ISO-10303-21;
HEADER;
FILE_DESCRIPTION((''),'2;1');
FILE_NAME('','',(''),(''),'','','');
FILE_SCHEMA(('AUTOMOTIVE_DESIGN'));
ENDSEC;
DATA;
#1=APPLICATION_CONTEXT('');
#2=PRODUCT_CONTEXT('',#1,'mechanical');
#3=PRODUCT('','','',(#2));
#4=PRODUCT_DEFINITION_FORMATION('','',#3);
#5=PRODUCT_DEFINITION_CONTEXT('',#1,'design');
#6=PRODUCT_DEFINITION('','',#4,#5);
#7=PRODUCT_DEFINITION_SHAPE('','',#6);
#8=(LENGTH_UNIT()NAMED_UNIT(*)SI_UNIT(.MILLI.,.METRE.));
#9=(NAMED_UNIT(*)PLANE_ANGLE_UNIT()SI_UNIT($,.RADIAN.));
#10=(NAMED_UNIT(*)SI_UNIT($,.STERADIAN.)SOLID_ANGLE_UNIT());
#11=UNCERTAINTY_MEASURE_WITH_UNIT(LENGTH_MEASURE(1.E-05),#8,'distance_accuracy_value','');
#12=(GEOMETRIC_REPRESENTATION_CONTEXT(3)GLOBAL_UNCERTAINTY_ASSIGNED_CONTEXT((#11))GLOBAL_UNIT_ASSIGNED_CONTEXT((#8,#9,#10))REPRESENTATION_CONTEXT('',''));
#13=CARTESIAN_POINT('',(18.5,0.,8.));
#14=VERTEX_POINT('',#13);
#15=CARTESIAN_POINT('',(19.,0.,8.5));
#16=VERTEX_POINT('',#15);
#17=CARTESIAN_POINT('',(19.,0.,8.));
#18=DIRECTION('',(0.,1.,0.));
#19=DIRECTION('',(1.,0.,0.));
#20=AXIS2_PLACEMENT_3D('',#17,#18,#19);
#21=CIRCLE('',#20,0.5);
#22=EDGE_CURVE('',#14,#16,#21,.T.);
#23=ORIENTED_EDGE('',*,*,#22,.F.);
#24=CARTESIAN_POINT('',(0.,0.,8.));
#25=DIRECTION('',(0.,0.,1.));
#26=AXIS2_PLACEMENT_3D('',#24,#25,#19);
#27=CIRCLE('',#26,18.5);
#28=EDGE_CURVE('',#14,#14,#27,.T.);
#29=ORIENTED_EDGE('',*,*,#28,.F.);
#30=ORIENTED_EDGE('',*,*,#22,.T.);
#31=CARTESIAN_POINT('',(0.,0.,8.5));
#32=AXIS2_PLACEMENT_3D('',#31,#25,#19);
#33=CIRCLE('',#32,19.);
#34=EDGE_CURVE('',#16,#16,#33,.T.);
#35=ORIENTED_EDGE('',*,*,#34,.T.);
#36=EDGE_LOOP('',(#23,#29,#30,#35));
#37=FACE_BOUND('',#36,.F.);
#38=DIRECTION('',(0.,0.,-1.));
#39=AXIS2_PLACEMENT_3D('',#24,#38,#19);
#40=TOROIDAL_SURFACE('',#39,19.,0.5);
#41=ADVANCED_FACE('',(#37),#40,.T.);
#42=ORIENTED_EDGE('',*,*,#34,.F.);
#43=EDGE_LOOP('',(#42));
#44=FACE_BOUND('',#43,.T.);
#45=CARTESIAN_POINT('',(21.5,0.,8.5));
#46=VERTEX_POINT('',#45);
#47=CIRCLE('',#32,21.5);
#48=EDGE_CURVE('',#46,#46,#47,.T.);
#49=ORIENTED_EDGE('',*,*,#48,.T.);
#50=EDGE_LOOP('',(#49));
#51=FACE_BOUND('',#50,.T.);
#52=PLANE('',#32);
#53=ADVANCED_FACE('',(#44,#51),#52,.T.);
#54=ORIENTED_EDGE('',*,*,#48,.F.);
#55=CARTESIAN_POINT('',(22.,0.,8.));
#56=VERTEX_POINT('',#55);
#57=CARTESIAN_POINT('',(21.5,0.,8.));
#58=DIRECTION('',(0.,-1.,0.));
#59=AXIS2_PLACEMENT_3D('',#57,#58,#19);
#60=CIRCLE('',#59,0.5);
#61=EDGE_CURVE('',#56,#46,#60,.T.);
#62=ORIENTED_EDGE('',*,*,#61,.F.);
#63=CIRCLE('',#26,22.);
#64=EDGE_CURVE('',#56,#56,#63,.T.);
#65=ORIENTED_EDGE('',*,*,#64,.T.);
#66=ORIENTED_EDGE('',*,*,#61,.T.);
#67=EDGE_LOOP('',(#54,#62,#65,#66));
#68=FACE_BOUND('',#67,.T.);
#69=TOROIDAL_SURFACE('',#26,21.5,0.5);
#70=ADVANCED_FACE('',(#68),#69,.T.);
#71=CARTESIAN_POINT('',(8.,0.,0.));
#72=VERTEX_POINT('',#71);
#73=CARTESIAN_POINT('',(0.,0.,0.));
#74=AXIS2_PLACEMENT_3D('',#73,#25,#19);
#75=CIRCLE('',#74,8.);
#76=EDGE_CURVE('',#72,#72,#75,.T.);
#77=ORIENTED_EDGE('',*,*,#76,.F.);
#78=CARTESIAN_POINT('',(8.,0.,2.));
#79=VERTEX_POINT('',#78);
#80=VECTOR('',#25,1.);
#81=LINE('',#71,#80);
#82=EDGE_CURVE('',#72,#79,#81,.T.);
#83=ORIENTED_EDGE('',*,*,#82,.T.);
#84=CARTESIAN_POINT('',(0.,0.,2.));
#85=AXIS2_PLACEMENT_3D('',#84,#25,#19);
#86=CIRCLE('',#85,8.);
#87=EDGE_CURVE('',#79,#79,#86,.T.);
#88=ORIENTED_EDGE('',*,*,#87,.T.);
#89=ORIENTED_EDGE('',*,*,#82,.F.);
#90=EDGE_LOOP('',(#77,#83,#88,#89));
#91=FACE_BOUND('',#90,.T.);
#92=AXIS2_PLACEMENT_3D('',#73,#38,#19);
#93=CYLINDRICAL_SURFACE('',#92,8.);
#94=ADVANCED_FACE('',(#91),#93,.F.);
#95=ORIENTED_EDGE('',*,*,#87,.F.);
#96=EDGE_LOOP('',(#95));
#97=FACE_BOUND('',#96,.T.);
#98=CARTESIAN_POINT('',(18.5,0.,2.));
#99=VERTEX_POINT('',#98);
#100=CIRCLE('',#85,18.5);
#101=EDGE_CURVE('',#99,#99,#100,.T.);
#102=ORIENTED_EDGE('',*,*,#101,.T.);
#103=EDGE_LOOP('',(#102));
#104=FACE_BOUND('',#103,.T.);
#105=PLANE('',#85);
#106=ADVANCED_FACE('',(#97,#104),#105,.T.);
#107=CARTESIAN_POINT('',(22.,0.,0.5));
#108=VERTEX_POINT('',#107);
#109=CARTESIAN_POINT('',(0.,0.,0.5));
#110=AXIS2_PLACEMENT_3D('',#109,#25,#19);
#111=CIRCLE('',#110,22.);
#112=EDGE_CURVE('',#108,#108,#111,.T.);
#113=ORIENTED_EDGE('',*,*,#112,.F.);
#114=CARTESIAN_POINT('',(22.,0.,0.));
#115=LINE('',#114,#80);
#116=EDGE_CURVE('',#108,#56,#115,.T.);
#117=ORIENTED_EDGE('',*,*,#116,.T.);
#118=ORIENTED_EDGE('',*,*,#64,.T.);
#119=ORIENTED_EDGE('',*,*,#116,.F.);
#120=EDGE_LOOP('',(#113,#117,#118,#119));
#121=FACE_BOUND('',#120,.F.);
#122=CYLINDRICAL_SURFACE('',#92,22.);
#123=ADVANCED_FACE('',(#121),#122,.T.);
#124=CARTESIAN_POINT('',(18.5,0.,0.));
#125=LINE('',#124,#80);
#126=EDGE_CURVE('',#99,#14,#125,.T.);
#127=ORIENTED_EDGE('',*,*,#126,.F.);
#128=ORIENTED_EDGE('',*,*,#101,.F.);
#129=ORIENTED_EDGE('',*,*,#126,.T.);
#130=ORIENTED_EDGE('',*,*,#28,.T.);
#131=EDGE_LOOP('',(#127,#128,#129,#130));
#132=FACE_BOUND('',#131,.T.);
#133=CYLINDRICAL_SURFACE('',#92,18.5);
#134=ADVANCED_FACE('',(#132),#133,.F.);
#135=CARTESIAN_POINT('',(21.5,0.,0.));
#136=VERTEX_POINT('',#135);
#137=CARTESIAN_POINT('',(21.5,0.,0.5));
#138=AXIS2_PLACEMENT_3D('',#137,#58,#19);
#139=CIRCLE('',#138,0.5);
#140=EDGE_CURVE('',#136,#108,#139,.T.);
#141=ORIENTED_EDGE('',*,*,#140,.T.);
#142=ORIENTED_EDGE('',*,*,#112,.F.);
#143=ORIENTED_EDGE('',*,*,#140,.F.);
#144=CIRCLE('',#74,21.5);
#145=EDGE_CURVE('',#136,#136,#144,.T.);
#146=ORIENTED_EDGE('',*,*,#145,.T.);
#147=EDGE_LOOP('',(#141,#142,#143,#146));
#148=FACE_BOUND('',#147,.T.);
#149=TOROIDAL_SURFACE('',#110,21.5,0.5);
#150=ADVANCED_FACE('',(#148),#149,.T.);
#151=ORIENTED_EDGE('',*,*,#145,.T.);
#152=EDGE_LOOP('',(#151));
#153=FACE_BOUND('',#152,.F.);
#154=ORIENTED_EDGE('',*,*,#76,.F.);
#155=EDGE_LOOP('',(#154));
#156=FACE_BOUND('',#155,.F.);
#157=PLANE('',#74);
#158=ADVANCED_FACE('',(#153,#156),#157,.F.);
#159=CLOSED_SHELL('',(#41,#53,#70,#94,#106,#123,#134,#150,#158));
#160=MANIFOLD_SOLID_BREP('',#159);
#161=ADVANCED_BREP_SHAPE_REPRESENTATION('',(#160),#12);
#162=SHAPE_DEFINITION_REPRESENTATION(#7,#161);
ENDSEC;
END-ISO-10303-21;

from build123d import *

# Parameters (mm, degrees)
F0_R     = 22
F0_R_2   = 18.5
F1_DEPTH = 8.5
F0_R_3   = 8
F2_DEPTH = 2
F3_R     = 0.5


with BuildPart() as f1:
    # F0 (on Top) → F1 (new body)
    with BuildSketch(Plane.XY):
        Circle(F0_R)
        Circle(F0_R_2, mode=Mode.SUBTRACT)
    extrude(amount=F1_DEPTH)

    # F0 (on Top) → F2 (join)
    with BuildSketch(Plane.XY):
        Circle(F0_R_2)
        Circle(F0_R_3, mode=Mode.SUBTRACT)
    extrude(amount=F2_DEPTH)

    # F3
    f3_edges = [f1.edges().sort_by_distance(p)[0] for p in [
        (-22, 0, 8.5),
        (-22, 0, 0),
        (-18.5, 0, 8.5),
    ]]
    fillet(f3_edges, radius=F3_R)


solid = f1.part
